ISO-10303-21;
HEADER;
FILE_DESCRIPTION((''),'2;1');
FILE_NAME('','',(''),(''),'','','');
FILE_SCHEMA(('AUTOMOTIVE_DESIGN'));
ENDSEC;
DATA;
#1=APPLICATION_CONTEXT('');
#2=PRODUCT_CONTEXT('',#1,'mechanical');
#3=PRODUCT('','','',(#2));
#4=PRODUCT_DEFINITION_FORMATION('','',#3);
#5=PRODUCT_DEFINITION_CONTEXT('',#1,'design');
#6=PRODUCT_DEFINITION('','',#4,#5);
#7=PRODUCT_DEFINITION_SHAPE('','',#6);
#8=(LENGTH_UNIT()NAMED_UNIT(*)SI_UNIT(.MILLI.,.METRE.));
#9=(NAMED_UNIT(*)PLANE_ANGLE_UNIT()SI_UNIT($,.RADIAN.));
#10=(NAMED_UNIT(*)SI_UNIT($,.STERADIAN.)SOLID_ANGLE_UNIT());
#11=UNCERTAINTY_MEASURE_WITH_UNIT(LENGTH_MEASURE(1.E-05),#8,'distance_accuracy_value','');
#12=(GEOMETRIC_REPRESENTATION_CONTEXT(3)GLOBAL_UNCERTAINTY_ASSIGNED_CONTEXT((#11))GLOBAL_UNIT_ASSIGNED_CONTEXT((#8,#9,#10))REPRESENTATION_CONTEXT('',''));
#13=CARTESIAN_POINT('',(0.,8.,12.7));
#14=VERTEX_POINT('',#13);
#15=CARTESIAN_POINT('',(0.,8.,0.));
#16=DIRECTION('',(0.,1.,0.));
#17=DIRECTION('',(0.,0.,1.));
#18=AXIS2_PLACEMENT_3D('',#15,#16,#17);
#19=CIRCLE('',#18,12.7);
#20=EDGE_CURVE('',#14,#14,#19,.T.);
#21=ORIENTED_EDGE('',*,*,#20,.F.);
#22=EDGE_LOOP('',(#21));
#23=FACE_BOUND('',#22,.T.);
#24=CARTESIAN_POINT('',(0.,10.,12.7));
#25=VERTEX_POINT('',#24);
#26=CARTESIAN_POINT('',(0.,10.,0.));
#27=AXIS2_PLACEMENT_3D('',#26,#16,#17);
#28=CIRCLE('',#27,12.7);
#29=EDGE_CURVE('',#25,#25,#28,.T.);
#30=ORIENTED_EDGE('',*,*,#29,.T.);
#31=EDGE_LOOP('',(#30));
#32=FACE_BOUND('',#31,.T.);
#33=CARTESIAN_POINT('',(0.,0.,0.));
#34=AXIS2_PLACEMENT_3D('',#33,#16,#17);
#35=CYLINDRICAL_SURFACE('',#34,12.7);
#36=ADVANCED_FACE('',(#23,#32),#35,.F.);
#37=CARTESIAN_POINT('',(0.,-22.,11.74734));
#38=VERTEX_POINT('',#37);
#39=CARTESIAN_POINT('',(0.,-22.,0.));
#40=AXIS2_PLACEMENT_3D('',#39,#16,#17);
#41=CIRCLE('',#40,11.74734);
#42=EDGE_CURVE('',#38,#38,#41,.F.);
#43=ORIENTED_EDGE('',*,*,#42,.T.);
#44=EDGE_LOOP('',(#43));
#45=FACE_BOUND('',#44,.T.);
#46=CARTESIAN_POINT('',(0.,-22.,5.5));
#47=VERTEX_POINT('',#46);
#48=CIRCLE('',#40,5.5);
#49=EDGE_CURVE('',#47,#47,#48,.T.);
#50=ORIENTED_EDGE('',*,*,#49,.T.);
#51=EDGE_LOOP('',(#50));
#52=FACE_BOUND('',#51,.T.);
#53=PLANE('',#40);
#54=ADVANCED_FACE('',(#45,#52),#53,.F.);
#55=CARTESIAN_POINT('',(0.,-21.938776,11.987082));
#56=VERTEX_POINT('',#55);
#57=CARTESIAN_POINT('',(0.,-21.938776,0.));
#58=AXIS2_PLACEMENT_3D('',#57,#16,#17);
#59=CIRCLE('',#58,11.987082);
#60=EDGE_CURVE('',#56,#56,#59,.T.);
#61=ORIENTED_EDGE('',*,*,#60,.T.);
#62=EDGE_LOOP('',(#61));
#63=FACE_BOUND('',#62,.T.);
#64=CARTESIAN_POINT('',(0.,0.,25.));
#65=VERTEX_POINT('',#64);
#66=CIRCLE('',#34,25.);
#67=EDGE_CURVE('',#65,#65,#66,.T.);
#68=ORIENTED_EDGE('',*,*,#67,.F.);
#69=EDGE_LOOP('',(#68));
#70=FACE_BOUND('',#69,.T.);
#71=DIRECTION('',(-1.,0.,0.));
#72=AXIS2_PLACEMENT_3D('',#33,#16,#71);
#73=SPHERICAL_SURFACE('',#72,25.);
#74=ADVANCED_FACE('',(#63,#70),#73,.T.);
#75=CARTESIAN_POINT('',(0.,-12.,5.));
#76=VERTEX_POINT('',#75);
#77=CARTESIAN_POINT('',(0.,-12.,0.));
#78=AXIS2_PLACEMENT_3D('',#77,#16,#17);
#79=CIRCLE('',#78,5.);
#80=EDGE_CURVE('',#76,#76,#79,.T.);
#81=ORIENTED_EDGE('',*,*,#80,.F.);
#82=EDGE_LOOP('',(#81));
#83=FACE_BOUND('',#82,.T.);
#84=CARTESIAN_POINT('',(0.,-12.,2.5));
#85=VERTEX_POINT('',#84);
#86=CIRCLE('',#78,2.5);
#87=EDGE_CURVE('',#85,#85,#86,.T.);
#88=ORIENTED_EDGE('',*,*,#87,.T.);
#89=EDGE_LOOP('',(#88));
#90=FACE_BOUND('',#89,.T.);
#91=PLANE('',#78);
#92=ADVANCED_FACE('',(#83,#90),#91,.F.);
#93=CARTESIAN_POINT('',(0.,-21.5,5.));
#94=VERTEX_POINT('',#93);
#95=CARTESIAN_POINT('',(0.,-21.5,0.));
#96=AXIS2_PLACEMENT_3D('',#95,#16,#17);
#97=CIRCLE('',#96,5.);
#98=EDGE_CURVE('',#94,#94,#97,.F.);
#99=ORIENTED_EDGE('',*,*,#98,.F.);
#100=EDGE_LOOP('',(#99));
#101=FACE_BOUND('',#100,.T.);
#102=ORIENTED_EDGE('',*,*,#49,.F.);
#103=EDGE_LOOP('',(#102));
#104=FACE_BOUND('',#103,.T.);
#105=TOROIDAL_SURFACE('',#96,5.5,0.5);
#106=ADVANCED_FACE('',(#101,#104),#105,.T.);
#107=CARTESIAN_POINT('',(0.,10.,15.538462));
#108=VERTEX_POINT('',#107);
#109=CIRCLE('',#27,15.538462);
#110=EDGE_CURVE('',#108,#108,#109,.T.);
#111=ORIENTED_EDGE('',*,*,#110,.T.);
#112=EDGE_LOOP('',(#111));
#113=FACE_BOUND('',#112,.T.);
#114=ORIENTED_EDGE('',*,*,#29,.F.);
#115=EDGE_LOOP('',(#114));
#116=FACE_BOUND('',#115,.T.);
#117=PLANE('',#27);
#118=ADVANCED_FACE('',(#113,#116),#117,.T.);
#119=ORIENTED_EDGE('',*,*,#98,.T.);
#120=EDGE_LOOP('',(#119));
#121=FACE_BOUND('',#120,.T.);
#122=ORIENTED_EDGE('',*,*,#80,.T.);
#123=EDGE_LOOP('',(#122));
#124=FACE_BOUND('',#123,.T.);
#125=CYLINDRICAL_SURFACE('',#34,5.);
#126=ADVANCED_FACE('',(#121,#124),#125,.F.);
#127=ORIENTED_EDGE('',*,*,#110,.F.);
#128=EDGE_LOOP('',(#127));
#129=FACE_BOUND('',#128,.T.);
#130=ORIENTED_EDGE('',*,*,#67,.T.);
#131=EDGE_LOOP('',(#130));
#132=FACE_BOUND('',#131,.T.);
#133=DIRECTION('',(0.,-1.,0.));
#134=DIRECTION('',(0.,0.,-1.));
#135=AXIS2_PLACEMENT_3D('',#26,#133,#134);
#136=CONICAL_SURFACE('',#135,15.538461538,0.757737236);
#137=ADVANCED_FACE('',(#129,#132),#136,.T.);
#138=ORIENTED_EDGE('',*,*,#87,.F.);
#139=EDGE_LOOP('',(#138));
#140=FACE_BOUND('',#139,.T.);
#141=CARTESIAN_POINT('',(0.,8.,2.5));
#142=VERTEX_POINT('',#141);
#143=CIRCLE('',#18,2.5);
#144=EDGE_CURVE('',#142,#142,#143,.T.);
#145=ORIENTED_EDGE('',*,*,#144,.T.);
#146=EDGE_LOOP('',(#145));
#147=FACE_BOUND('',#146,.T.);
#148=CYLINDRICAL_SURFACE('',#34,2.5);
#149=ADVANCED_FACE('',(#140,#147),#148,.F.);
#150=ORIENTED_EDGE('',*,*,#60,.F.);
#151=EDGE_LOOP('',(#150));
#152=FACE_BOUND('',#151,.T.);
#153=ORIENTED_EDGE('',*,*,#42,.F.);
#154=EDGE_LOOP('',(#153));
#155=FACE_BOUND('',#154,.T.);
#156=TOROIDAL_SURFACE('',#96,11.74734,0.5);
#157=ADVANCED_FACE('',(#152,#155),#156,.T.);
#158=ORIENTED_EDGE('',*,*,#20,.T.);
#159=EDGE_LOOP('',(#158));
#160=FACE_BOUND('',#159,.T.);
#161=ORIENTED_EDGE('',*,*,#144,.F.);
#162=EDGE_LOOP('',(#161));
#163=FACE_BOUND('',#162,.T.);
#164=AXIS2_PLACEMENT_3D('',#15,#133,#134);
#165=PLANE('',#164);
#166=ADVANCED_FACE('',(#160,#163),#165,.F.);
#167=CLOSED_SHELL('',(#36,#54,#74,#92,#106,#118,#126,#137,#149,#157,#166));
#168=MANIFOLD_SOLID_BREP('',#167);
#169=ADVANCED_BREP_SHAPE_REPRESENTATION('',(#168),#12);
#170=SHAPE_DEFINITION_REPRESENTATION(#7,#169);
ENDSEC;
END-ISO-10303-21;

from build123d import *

# Parameters (mm, degrees)
FILLET1_R = 0.5


with BuildPart() as part:
    # Sketch1 → Revolve1 (revolve)
    with BuildSketch(Plane.XY):
        with BuildLine():
            Line((-15.538461538, 10), (-25, 0))
            ThreePointArc((-25, 0), (-21.46926352, -12.809009482), (-11.874342087, -22))
            Line((-11.874342087, -22), (-5, -22))
            Line((-5, -22), (-5, -12))
            Line((-5, -12), (-2.5, -12))
            Line((-2.5, -12), (-2.5, 8))
            Line((-2.5, 8), (-12.7, 8))
            Line((-12.7, 8), (-12.7, 10))
            Line((-12.7, 10), (-15.538461538, 10))
        make_face()
    revolve(axis=Axis((0, 0, 0), (0, -1, 0)))

    # Fillet1
    fillet1_edges = [part.edges().sort_by_distance(p)[0] for p in [
        (5, -22, 0),
        (11.874342087, -22, 0),
    ]]
    fillet(fillet1_edges, radius=FILLET1_R)


solid = part.part
